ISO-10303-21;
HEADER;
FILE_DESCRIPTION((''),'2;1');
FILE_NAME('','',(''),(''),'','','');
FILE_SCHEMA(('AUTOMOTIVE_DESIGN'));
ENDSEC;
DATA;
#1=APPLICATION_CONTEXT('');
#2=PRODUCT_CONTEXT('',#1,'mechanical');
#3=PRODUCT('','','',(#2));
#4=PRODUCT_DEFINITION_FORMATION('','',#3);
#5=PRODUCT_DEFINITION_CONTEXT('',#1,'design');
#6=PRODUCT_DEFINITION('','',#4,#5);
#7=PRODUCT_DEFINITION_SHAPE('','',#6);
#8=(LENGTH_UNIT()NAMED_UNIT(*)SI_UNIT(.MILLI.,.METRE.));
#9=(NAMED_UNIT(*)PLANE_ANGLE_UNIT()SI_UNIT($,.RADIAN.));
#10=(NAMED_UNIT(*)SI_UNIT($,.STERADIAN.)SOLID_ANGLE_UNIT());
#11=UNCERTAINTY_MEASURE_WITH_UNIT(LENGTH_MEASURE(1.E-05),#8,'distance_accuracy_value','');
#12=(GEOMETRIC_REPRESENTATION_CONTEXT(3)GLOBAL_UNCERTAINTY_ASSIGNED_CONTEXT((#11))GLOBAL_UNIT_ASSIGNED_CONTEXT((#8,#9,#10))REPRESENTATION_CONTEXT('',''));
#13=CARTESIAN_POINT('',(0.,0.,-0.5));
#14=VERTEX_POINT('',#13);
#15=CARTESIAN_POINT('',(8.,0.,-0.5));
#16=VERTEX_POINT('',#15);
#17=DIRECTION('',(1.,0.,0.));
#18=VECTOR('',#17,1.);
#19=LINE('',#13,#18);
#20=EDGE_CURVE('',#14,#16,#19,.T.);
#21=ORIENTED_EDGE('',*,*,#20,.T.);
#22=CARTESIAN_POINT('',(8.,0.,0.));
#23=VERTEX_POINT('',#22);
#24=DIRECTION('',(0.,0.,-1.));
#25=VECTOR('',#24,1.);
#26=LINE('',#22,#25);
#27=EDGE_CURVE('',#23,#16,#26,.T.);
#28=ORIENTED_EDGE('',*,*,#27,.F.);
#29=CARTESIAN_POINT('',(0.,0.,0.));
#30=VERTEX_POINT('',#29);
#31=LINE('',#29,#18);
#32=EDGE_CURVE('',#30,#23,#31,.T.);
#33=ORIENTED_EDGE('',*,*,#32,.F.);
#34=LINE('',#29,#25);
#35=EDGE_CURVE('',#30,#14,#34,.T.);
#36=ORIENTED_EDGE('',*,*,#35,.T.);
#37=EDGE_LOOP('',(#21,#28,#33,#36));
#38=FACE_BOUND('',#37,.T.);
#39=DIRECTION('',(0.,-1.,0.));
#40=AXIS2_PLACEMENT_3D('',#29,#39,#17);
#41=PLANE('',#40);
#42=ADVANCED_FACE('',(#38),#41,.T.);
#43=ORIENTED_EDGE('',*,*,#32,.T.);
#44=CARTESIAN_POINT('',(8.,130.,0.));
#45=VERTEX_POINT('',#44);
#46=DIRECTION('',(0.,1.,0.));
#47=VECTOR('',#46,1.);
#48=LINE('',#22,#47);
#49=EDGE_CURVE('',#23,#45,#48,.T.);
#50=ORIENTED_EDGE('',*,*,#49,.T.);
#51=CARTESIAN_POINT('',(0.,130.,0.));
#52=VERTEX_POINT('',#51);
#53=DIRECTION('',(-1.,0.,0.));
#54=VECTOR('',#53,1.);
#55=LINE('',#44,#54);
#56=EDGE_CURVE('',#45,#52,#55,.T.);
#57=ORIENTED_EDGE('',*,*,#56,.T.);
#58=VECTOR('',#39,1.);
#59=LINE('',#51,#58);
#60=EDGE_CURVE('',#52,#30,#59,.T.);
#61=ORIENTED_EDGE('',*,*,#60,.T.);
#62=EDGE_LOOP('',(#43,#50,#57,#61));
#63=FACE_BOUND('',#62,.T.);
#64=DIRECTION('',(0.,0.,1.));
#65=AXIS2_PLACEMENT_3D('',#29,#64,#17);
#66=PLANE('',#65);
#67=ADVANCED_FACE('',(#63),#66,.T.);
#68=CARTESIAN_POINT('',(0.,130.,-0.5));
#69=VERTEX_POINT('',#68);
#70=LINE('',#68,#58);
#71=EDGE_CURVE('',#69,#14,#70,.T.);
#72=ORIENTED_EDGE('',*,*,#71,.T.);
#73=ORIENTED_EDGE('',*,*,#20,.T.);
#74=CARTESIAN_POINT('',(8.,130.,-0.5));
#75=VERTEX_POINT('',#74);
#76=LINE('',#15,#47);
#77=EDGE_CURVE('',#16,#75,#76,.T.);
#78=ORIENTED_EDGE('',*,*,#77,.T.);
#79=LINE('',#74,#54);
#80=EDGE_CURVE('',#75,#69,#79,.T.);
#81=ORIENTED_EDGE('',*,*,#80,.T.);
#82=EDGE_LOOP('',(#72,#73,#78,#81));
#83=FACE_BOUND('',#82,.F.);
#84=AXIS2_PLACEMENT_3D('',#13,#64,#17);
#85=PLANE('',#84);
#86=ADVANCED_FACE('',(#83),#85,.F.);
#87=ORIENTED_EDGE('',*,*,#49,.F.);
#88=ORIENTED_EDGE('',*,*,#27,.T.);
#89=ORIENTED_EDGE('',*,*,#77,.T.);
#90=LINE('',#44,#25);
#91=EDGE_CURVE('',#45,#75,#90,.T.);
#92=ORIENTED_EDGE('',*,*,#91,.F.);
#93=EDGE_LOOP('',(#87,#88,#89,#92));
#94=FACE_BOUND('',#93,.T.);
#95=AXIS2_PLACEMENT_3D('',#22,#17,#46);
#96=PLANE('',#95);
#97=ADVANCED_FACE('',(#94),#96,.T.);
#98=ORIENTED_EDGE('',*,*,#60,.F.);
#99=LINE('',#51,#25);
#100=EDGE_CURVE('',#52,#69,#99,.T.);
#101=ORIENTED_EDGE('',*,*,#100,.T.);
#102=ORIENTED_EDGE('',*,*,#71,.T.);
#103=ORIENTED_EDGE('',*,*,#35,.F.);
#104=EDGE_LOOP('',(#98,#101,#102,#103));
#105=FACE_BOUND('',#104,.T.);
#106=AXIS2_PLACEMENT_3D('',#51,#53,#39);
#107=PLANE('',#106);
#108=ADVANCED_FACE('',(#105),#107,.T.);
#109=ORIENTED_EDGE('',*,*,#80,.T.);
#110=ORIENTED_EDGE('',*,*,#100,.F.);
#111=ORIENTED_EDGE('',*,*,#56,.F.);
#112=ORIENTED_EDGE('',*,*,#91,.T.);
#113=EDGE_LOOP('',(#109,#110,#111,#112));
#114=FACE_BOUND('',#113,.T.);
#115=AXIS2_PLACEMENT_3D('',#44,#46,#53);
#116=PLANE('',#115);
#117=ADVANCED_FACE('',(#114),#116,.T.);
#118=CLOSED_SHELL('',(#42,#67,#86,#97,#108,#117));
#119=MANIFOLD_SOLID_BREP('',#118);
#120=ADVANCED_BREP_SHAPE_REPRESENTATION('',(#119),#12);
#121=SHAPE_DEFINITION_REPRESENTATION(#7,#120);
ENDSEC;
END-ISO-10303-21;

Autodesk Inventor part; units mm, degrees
ref_plane "YZ Plane" through (0, 0, 0) normal (1, 0, 0) x (0, 1, 0)
ref_plane "XZ Plane" through (0, 0, 0) normal (0, 1, 0) x (-1, 0, 0)
ref_plane "XY Plane" through (0, 0, 0) normal (0, 0, 1) x (1, 0, 0)
sketch "Szkic1" plane through (0, 0, 0) normal (0, 0, 1) x (1, 0, 0)
  line L0 (0, 0) -> (8, 0)
  line L1 (8, 0) -> (8, 130)
  line L2 (8, 130) -> (0, 130)
  line L3 (0, 130) -> (0, 0)
  dimension "d0" = 8
  dimension "d1" = 130
extrude "Wyciągnięcie proste1" add sketch "Szkic1" against normal blind 0.5
properties part number "capacity_water_level_sensor"
